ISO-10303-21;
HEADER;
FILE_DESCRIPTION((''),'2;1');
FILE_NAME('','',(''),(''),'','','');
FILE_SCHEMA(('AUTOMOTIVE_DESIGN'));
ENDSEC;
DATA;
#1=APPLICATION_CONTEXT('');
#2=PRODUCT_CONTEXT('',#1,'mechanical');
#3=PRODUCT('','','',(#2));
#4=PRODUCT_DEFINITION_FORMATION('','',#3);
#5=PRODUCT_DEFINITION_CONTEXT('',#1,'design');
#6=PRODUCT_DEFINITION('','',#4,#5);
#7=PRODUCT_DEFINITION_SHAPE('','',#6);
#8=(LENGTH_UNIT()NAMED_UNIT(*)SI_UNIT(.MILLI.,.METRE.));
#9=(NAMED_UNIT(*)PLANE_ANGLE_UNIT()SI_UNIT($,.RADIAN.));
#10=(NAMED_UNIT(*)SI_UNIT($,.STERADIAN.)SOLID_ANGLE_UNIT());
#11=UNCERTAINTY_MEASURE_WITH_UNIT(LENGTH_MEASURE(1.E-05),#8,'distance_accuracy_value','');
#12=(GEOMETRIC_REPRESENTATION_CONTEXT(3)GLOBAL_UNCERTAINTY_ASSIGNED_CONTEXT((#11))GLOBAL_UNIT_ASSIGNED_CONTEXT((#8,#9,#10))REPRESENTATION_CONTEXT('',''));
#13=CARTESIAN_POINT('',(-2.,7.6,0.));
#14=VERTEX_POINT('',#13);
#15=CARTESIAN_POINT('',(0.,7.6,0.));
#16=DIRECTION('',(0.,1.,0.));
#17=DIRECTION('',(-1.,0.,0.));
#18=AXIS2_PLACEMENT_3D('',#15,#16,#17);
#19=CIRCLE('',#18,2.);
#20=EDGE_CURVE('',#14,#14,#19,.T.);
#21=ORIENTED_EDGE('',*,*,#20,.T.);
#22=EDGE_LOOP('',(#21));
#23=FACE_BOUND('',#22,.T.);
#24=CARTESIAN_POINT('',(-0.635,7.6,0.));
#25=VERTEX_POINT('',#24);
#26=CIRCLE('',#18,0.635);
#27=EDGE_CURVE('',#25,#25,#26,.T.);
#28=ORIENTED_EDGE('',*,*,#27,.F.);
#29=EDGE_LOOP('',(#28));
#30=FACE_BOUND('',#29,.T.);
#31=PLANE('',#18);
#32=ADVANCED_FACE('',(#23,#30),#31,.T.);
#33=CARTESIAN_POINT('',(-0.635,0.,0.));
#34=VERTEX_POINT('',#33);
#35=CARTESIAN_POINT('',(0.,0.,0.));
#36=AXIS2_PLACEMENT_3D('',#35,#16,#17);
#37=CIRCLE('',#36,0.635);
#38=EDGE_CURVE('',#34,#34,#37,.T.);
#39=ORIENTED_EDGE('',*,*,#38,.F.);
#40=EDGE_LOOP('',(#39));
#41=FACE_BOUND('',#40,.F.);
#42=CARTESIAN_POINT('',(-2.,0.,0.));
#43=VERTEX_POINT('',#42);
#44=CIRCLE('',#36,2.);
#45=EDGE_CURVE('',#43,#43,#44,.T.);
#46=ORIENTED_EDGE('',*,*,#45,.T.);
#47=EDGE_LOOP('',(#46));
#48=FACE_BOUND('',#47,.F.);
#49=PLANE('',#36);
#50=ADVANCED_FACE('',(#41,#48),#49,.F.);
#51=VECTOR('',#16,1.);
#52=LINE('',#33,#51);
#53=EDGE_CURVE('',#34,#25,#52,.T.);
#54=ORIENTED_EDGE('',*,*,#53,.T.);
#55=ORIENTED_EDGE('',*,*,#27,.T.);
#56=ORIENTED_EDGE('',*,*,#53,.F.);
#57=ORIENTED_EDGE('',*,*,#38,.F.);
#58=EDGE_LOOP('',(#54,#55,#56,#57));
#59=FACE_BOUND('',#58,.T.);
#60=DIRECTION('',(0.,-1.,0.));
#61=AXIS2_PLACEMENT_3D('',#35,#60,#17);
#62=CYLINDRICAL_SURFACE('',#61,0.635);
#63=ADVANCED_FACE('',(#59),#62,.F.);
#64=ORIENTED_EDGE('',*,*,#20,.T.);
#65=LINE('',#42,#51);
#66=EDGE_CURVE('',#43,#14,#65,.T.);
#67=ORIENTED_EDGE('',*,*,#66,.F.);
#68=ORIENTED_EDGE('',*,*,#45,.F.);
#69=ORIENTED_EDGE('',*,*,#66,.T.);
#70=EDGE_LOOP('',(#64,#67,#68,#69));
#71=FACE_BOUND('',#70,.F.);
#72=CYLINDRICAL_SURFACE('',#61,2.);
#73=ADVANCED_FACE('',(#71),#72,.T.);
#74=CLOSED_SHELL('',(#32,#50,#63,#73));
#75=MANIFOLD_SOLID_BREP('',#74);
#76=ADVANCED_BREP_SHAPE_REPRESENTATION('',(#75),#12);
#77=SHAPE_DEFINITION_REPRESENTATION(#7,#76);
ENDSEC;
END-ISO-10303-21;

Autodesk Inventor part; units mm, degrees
ref_plane "YZ Plane" through (0, 0, 0) normal (1, 0, 0) x (0, 1, 0)
ref_plane "XZ Plane" through (0, 0, 0) normal (0, 1, 0) x (-1, 0, 0)
ref_plane "XY Plane" through (0, 0, 0) normal (0, 0, 1) x (1, 0, 0)
sketch "Sketch1" plane through (0, 0, 0) normal (0, 1, 0) x (-1, 0, 0)
  circle A0 centre (0, 0) radius 2
  circle A1 centre (0, 0) radius 0.635
  dimension "d0" = 4
  dimension "d1" = 1.27
extrude "Extrusion1" add sketch "Sketch1" along normal blind 7.6
properties part number "SMA-PanelMount-Ni-AuPlated-Dielectric" material "Polytetrafluoroethylene"
